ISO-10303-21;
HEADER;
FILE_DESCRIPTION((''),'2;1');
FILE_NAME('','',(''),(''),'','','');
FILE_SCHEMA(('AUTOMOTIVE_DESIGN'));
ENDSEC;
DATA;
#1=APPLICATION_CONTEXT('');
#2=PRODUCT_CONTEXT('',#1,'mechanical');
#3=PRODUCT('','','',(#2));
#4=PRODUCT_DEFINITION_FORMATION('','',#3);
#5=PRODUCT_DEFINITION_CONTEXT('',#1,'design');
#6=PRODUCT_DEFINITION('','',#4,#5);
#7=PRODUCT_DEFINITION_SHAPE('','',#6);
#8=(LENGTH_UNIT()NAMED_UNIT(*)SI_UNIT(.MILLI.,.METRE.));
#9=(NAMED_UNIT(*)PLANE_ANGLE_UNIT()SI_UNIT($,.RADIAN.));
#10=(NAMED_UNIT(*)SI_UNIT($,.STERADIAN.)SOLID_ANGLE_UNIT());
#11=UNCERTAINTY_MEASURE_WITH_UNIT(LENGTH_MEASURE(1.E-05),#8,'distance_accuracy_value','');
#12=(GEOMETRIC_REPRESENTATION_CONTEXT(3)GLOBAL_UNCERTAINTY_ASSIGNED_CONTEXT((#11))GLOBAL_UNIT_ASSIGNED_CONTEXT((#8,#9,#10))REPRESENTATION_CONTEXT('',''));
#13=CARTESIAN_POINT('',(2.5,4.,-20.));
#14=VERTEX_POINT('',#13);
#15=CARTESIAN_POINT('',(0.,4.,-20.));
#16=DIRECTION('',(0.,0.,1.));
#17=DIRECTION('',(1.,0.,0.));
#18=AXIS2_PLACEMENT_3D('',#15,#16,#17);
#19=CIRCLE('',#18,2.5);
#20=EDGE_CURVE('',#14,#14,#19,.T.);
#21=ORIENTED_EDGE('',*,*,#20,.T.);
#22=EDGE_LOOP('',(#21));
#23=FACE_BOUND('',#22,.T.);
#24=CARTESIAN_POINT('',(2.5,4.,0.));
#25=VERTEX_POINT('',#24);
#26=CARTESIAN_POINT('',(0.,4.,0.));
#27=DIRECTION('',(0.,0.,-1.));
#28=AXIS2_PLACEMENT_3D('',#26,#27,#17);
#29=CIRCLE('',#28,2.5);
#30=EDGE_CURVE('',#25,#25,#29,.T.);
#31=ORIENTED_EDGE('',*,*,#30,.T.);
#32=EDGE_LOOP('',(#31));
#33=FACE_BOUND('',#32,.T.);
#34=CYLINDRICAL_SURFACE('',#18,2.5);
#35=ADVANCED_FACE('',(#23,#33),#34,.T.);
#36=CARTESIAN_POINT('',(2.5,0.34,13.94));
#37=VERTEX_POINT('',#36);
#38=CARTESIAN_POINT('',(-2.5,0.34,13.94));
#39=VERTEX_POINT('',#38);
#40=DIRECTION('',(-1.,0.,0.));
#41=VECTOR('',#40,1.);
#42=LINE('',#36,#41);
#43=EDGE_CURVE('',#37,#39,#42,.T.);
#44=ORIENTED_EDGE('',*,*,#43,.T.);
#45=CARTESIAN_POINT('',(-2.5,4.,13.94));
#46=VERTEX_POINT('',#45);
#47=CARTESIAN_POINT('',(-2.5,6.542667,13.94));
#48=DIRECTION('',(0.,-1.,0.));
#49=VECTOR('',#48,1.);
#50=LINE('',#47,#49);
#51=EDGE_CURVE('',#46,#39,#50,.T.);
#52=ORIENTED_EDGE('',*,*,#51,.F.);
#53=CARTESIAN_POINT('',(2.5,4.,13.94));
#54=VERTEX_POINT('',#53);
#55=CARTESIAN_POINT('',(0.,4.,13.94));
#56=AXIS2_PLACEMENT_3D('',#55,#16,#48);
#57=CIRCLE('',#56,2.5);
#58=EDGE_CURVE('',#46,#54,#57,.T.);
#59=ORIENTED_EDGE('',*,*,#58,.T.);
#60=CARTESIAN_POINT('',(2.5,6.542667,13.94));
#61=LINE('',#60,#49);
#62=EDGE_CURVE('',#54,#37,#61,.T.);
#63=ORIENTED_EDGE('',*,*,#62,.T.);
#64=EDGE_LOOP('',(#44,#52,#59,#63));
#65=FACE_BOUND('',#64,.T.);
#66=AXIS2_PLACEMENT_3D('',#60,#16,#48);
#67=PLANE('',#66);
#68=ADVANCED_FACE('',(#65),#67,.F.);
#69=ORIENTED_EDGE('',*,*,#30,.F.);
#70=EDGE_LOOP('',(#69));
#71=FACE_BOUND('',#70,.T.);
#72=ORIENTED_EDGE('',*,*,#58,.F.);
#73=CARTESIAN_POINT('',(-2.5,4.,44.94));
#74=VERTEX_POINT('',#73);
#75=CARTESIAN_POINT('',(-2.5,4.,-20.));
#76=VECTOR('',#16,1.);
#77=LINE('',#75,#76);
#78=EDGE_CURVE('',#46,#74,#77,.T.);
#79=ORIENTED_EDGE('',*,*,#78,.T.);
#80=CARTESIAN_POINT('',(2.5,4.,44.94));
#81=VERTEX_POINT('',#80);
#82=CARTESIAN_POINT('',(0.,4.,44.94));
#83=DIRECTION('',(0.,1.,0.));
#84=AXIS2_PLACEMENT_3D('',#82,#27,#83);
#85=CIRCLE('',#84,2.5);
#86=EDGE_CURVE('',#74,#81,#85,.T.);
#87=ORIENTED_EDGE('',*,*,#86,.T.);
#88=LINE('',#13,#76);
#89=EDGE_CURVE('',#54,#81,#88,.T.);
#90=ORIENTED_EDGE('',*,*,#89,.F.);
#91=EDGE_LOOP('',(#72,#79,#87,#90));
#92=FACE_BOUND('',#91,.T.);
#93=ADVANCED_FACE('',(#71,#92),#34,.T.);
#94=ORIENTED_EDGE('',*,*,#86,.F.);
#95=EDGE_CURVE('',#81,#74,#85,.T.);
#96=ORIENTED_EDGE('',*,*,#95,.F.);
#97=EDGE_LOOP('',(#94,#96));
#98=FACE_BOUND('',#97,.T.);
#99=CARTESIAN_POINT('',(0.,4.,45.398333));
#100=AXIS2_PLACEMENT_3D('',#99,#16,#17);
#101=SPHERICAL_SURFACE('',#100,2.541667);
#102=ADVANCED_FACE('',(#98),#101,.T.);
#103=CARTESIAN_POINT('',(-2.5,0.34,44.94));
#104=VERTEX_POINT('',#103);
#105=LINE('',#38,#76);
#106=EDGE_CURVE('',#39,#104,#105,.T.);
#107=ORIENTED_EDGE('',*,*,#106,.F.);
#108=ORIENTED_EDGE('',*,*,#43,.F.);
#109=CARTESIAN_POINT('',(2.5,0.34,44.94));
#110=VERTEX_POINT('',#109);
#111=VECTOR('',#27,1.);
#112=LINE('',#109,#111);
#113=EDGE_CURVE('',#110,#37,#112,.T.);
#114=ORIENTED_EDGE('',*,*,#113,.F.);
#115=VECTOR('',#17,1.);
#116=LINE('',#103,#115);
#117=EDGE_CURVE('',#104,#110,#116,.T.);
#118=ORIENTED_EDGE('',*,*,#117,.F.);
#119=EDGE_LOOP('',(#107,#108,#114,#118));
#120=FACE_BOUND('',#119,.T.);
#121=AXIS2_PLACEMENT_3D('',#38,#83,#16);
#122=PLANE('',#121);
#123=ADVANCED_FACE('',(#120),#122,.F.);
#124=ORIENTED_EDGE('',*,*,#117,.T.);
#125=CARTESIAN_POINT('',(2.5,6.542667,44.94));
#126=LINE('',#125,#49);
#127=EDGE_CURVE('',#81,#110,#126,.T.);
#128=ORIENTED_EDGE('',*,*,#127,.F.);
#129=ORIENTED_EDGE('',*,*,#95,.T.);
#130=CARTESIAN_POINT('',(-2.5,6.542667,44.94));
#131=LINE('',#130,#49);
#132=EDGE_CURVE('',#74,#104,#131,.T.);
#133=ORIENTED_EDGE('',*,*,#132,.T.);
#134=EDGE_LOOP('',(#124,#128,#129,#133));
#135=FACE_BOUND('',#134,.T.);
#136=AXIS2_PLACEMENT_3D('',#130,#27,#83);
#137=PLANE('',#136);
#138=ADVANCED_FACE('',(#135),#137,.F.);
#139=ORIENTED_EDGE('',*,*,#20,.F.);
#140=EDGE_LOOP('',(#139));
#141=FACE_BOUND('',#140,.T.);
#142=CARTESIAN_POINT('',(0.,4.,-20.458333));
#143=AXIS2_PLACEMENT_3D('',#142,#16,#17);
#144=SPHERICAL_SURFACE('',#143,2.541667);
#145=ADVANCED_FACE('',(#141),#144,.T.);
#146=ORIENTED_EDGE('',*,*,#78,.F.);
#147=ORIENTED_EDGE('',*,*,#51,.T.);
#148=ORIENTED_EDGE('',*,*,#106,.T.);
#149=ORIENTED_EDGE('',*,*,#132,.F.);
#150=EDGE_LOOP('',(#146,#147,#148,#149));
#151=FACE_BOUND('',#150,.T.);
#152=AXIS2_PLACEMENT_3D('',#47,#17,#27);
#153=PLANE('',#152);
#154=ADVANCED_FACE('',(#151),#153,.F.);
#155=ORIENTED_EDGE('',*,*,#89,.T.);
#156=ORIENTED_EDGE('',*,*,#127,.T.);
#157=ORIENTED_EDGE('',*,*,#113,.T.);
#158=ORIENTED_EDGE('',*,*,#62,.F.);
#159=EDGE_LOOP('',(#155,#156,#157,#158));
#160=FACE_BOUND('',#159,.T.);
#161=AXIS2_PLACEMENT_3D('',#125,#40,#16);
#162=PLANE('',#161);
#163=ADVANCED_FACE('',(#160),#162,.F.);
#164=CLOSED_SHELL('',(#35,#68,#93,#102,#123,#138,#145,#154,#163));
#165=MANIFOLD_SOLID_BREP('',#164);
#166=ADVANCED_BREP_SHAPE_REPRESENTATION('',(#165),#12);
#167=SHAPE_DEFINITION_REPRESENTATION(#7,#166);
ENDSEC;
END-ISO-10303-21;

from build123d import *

# Parameters (mm, degrees)
EXTRUDE1_DEPTH      = 44.94
EXTRUDE1_DEPTH_BACK = 20
SKETCH1_R           = 2.5
DOME1_FACE_RADIUS   = 2.5
DOME1_HEIGHT        = 3
DOME2_FACE_RADIUS   = 2.5
DOME2_HEIGHT        = 3
EXTRUDE2_REACH      = 50.406
EXTRUDE2_END_RADIUS = 2.5
SKETCH2_W           = 5
SKETCH2_H           = 31


with BuildPart() as part:
    # Sketch1 → Extrude1 (new, two sides: drawn at the far end of the back side and taken through both)
    with BuildSketch(Plane.XY.offset(-EXTRUDE1_DEPTH_BACK)):
        with Locations((0, 4)):
            Circle(SKETCH1_R)
    extrude(amount=EXTRUDE1_DEPTH + EXTRUDE1_DEPTH_BACK)

    # Dome1: a dome of height H over a round flat face of radius A is a cap of a sphere of radius (A * A + H * H) / (2 * H)
    dome1_r = (DOME1_FACE_RADIUS * DOME1_FACE_RADIUS + DOME1_HEIGHT * DOME1_HEIGHT) / (2 * DOME1_HEIGHT)
    dome1_base = Plane((0, 4, 44.94), z_dir=(0, 0, 1))
    with Locations(dome1_base.offset(DOME1_HEIGHT - dome1_r)):
        dome1_ball = Sphere(dome1_r, mode=Mode.PRIVATE)
    add(split(dome1_ball, bisect_by=dome1_base, keep=Keep.TOP, mode=Mode.PRIVATE))

    # Dome2: a dome of height H over a round flat face of radius A is a cap of a sphere of radius (A * A + H * H) / (2 * H)
    dome2_r = (DOME2_FACE_RADIUS * DOME2_FACE_RADIUS + DOME2_HEIGHT * DOME2_HEIGHT) / (2 * DOME2_HEIGHT)
    dome2_base = Plane((0, 4, -20), z_dir=(0, 0, -1))
    with Locations(dome2_base.offset(DOME2_HEIGHT - dome2_r)):
        dome2_ball = Sphere(dome2_r, mode=Mode.PRIVATE)
    add(split(dome2_ball, bisect_by=dome2_base, keep=Keep.TOP, mode=Mode.PRIVATE))

    # Extrude2: up to this cylinder (the profile starts outside it)
    extrude2_end = Plane(origin=(0, 4, 29.44), z_dir=(0, 0, 1)) * Cylinder(EXTRUDE2_END_RADIUS, 106.812, mode=Mode.PRIVATE)
    # Sketch2 → Extrude2 (add, up to the surface)
    with BuildSketch(Plane(origin=(0, 0.34, 0), x_dir=(-1, 0, 0), z_dir=(0, 1, 0)), mode=Mode.PRIVATE) as extrude2_sk1:
        with Locations((0, 29.44)):
            Rectangle(SKETCH2_W, SKETCH2_H)
    extrude2_tool1 = extrude(extrude2_sk1.sketch, amount=EXTRUDE2_REACH, mode=Mode.PRIVATE) - extrude2_end
    add(extrude2_tool1.solids().sort_by_distance((0, 0.34, 29.44))[0])


solid = part.part
